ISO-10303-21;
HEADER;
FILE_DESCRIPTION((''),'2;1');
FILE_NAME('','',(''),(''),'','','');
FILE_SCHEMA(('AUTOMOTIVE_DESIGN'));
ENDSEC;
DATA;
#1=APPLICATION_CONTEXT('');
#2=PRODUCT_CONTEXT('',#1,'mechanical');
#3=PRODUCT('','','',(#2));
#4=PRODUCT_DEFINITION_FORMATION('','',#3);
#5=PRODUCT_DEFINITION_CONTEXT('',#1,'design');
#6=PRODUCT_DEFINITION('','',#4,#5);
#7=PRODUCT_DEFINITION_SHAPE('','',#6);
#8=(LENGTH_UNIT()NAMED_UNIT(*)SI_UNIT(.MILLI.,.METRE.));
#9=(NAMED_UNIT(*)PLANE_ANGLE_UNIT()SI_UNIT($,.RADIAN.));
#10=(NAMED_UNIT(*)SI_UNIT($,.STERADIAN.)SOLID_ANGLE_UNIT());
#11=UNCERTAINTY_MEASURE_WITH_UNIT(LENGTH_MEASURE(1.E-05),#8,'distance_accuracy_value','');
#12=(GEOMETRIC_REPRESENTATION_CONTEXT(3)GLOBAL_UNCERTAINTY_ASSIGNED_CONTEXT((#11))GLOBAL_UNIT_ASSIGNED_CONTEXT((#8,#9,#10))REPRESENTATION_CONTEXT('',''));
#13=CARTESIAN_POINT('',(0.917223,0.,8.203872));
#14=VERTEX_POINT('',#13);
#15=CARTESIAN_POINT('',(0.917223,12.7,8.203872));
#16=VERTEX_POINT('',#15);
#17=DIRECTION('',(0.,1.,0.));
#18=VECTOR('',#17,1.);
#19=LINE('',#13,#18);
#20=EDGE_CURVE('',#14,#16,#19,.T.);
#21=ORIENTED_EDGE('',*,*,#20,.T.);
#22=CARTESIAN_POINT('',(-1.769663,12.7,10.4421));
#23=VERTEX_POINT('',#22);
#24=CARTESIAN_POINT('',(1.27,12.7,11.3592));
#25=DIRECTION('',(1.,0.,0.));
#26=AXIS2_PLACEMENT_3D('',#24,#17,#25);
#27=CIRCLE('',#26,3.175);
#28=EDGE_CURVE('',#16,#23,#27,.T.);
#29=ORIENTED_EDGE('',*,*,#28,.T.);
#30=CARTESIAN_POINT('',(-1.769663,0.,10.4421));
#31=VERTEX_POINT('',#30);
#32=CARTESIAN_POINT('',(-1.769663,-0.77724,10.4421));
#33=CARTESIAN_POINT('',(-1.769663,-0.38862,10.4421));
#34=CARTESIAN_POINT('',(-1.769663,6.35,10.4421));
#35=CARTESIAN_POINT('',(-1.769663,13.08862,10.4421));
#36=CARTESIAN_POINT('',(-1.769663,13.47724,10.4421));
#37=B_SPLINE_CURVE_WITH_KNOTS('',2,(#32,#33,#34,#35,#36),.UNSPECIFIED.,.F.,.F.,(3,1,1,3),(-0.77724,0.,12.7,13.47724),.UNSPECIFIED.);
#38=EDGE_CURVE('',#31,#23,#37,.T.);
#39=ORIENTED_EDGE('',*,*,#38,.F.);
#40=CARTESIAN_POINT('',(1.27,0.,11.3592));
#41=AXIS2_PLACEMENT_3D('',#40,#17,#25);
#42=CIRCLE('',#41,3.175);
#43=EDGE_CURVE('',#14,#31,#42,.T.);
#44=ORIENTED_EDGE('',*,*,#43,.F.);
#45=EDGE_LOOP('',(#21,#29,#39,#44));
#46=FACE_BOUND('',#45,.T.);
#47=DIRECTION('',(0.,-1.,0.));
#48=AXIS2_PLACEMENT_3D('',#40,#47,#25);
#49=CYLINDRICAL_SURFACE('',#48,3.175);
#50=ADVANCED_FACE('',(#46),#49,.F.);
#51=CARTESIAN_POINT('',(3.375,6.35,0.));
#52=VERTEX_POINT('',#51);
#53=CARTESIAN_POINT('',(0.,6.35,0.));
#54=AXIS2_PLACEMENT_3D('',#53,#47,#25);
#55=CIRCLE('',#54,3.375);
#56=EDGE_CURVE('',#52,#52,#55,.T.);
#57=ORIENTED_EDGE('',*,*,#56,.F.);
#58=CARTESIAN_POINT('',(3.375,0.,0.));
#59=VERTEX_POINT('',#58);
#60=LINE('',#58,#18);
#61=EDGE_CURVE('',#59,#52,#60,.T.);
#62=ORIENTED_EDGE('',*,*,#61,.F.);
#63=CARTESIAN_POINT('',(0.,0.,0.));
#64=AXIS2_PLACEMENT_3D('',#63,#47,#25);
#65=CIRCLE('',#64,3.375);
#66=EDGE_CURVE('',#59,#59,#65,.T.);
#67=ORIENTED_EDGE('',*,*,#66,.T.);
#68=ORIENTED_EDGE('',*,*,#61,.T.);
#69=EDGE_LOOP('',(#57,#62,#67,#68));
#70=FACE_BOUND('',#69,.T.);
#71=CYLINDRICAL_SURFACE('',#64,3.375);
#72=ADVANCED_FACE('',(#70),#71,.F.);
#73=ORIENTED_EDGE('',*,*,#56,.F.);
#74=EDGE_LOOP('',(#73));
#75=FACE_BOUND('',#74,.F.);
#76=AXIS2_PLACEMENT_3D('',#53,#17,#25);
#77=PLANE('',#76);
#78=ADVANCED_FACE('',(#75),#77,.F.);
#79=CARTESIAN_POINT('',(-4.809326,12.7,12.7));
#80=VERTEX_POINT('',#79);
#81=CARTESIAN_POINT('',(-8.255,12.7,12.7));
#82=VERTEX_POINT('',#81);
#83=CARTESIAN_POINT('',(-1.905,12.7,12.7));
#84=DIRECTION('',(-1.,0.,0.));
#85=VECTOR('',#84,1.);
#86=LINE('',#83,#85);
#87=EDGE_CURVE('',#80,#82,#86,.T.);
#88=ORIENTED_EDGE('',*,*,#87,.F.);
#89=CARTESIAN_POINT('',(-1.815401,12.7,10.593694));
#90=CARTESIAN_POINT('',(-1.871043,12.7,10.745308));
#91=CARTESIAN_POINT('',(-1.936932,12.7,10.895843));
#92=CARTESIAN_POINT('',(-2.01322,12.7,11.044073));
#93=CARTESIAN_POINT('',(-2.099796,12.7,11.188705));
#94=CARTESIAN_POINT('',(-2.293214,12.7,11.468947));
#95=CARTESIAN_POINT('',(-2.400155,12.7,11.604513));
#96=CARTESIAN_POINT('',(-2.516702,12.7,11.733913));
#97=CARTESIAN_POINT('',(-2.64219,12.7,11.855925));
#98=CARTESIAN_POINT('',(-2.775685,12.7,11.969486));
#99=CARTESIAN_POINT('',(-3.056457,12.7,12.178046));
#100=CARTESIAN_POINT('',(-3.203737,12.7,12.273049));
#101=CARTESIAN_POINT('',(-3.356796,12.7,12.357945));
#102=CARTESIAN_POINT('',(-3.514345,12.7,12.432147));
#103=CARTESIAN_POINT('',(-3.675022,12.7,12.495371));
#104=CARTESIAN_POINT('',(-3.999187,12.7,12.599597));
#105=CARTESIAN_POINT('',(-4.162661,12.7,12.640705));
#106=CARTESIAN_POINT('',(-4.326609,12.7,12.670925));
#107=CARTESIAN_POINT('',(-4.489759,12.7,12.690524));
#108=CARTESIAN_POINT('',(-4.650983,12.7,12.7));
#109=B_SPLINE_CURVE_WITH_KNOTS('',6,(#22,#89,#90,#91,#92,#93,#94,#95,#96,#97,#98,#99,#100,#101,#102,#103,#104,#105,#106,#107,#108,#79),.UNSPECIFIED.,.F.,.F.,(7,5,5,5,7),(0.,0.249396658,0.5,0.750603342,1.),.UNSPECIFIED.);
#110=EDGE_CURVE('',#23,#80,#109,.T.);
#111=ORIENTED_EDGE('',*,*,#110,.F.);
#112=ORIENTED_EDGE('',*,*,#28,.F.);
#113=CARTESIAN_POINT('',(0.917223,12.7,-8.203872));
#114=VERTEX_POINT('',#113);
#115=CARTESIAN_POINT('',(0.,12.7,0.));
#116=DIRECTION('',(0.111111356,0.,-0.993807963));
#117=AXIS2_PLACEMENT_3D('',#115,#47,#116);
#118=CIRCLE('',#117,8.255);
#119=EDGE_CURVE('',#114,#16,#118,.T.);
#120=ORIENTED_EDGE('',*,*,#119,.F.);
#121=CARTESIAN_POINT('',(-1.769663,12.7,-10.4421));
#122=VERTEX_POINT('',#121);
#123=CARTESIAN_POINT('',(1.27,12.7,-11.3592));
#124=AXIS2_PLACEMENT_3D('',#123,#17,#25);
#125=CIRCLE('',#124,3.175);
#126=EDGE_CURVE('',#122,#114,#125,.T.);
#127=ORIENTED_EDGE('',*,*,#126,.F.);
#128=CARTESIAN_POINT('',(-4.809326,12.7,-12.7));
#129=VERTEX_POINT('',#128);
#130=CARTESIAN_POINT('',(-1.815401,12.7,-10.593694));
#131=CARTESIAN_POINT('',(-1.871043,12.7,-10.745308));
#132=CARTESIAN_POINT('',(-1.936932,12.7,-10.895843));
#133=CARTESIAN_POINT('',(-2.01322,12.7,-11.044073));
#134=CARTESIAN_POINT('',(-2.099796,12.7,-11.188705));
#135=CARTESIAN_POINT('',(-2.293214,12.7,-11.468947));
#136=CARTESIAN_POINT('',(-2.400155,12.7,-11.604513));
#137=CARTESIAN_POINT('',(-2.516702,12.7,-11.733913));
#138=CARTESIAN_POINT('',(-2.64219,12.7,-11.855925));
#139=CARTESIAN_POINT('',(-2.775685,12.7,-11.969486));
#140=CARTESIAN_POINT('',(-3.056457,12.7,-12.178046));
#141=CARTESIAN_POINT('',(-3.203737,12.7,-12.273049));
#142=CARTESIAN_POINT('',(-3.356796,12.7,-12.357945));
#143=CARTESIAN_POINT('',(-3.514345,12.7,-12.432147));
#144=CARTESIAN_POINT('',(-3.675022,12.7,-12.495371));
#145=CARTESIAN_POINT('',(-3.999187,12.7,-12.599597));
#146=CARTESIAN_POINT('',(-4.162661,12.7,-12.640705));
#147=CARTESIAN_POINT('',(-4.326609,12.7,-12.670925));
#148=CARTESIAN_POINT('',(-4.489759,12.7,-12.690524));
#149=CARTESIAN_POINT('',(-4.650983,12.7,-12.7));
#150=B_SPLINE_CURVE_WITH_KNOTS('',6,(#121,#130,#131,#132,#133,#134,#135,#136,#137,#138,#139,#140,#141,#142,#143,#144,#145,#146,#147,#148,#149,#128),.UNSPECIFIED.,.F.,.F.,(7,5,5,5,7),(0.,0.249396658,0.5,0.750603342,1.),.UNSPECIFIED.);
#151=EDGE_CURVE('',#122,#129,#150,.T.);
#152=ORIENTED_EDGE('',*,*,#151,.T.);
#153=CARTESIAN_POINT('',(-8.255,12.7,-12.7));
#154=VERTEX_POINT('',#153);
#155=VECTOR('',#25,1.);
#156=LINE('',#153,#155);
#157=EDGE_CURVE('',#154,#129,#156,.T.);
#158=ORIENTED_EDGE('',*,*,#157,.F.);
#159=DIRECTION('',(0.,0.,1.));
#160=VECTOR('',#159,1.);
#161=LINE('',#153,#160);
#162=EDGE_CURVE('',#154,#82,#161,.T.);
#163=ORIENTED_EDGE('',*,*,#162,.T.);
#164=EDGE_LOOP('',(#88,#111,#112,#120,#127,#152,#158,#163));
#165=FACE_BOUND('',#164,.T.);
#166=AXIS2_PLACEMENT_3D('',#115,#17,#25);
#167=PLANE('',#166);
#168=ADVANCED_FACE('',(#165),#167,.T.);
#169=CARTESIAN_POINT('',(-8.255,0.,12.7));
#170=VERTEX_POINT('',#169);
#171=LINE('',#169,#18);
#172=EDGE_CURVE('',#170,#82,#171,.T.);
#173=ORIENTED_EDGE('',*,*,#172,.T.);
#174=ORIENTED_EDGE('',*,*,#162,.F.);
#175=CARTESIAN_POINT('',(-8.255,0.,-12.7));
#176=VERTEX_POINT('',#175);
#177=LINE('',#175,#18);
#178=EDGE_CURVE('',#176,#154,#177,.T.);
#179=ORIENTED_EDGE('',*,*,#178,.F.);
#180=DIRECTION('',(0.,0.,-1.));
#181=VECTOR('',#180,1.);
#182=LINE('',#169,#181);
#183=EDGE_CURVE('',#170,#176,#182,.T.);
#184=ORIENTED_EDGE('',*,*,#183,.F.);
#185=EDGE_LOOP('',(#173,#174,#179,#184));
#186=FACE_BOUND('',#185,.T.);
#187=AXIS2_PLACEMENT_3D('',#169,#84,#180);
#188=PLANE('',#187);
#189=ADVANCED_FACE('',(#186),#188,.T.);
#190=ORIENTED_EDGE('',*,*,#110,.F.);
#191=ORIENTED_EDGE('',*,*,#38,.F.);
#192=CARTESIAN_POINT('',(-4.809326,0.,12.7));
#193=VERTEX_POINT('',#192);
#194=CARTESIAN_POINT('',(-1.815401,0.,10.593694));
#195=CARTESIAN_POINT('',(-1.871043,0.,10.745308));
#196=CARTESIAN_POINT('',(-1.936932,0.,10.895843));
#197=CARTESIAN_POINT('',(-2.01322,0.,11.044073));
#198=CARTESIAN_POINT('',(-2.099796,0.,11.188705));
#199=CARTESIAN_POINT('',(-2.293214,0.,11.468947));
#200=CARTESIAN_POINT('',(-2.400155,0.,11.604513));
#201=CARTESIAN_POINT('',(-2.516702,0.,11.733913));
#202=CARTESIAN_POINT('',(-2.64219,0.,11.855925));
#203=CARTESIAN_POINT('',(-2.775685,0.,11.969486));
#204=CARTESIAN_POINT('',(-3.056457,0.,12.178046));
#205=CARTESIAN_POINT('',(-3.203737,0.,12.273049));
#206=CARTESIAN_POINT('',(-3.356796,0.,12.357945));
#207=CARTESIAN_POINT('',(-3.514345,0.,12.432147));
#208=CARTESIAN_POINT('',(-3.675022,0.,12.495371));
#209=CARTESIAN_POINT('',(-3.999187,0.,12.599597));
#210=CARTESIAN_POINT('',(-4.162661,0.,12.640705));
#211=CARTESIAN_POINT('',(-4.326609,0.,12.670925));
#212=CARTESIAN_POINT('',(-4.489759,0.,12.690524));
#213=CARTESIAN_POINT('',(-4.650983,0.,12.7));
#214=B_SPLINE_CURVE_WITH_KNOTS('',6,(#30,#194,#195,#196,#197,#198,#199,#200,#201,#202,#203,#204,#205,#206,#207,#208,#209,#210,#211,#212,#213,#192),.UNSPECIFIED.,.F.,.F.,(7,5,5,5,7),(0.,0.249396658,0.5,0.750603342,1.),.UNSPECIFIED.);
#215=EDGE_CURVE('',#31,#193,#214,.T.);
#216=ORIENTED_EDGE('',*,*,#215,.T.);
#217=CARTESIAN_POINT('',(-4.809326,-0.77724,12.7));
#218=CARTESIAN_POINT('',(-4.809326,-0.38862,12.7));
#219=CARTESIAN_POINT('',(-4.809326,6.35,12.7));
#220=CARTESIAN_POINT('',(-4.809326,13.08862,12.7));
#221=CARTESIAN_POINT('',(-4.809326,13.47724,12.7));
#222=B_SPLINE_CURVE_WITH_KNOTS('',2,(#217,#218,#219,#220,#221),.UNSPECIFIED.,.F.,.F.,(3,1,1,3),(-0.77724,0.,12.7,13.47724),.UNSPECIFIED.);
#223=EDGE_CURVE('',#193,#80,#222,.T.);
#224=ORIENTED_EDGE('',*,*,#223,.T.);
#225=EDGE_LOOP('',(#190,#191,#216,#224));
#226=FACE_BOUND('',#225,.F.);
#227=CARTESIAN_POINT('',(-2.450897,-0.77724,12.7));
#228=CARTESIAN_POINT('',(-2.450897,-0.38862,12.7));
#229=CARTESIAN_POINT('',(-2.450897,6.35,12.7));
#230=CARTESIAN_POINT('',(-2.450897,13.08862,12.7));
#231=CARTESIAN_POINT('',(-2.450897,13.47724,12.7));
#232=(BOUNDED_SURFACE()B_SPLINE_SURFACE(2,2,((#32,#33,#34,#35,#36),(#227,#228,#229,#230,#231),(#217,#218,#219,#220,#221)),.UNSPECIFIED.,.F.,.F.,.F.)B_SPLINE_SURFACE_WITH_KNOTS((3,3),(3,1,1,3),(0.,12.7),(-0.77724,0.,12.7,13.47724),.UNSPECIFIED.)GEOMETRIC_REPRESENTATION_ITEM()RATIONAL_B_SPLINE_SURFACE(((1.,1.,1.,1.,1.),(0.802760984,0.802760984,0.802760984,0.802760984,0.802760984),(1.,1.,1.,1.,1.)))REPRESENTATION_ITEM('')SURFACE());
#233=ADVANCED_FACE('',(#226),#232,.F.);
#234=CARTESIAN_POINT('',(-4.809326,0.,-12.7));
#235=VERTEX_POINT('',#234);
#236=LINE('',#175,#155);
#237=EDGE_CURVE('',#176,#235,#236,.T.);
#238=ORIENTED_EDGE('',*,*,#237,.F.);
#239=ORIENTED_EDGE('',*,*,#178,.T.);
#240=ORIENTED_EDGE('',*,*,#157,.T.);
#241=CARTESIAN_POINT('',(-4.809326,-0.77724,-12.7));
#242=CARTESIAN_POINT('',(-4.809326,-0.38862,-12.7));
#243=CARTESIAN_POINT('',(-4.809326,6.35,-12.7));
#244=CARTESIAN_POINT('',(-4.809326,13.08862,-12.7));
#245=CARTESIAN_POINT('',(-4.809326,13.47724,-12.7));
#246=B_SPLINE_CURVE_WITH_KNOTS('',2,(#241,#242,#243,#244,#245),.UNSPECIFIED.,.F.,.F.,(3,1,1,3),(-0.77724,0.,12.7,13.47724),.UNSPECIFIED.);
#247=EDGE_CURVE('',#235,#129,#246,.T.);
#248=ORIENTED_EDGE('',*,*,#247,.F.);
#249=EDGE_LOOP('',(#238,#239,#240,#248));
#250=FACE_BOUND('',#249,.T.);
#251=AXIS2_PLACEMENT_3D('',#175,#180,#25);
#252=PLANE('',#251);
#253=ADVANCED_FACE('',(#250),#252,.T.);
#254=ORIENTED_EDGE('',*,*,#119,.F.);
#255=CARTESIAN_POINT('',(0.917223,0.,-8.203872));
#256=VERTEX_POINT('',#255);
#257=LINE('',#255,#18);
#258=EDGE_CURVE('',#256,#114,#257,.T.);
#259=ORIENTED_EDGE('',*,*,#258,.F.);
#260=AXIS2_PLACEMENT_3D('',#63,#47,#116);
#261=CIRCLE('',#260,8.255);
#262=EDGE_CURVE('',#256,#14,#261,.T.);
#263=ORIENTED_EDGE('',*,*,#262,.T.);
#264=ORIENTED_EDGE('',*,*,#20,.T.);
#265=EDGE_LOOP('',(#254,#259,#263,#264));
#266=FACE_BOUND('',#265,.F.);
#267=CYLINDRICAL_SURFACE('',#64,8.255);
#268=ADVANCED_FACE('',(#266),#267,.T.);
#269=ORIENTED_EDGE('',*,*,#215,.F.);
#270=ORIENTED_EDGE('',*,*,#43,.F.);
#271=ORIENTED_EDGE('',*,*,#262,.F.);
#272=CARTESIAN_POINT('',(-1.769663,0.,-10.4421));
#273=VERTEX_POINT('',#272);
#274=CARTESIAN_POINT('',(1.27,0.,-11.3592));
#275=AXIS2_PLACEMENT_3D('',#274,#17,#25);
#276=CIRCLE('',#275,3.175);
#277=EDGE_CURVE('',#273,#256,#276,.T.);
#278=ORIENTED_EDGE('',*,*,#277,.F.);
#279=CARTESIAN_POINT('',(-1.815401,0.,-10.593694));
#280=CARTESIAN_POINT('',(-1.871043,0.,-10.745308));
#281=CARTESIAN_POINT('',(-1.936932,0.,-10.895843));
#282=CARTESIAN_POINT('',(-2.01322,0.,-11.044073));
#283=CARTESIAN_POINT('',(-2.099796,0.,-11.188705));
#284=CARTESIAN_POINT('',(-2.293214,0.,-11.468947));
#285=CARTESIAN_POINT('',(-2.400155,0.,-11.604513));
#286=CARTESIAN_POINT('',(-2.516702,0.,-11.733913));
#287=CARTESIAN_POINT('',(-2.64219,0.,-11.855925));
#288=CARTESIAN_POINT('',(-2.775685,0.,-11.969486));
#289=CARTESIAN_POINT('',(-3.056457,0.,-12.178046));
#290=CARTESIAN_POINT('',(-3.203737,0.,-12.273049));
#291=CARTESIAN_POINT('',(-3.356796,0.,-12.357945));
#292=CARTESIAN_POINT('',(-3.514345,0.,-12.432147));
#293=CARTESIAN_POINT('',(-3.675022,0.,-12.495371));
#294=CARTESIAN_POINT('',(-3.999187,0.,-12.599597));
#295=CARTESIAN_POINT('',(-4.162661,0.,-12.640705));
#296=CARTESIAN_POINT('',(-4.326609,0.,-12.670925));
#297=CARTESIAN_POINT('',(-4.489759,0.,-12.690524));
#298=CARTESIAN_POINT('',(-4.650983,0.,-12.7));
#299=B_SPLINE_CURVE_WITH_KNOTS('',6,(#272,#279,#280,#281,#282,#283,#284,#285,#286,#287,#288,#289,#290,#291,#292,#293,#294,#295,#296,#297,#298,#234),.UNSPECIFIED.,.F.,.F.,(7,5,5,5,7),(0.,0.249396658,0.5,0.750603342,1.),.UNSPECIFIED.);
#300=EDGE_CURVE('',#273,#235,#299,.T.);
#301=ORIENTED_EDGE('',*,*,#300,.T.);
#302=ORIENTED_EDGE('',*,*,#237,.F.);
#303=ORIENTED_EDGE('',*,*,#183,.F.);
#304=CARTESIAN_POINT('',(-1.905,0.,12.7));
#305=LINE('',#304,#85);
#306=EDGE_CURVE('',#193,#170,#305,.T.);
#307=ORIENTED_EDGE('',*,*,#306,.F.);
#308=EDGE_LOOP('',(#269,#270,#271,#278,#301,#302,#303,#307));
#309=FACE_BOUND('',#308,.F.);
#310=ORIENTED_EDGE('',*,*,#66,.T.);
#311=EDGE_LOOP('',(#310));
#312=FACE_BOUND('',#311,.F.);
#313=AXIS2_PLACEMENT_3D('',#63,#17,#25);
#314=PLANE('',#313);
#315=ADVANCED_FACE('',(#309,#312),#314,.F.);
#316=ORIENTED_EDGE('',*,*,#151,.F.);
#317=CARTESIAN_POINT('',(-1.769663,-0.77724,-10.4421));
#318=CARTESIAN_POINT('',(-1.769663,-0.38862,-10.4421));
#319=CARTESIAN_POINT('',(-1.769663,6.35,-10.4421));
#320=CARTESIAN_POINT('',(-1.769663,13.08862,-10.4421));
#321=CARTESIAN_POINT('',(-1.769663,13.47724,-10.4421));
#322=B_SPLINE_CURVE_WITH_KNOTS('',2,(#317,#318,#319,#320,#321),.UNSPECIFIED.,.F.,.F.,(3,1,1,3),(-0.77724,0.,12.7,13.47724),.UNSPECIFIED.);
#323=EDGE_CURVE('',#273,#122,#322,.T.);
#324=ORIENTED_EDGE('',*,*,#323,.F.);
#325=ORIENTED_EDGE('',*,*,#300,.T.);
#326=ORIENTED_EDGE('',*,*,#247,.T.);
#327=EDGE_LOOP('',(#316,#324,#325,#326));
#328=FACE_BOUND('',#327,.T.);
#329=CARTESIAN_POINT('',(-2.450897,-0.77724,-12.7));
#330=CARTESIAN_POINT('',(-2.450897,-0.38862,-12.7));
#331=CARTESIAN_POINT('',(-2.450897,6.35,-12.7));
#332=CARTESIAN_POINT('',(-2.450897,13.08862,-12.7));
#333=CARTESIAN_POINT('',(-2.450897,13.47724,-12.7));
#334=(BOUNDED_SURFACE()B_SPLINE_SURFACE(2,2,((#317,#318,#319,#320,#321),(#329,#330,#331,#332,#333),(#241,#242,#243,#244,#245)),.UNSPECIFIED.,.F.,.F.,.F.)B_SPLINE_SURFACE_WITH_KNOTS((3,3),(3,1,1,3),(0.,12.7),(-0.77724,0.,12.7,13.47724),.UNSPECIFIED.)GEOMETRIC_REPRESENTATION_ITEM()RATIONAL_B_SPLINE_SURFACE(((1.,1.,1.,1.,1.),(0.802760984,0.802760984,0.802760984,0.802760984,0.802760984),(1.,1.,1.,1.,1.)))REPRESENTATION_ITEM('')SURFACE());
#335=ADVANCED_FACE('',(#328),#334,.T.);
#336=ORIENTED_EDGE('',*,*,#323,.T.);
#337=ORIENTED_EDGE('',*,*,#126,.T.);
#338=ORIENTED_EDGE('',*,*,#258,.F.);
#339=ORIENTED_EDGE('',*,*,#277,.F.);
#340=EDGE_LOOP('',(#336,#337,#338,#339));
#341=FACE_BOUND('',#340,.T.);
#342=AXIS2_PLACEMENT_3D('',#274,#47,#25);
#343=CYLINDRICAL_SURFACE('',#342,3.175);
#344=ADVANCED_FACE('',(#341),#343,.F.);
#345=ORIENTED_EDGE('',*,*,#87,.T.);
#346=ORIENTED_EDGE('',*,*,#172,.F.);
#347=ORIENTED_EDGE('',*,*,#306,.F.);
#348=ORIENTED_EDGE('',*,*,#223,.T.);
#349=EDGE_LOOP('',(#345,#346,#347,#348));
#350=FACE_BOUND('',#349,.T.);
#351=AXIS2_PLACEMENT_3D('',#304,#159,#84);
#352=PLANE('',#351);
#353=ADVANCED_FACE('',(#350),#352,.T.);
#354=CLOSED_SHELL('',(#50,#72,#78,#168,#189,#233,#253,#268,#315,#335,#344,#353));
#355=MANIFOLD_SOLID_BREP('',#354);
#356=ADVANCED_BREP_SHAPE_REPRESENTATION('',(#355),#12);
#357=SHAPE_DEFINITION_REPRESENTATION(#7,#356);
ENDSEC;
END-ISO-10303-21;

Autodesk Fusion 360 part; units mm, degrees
sketch "Sketch1" plane through (0, 0, 0) normal (0, 1, 0) x (1, 0, 0)
  circle A0 centre (0, 0) radius 3.175
  circle A1 centre (0, 0) radius 8.255
  line L0 (-1.905, -12.7) -> (-8.255, -12.7)
  line L1 (-8.255, -12.7) -> (-8.255, 12.7)
  line L2 (-8.255, 12.7) -> (-1.905, 12.7)
  line L3 (-1.905, 12.7) -> (-1.905, -12.7)
  circle A2 centre (1.27, -11.3592) radius 3.175
  circle A3 centre (1.27, 11.3592) radius 3.175
  circle A4 centre (0, 0) radius 3.375
  point P0 (-8.255, 0)
  dimension "d1" = 6.35
  dimension "d2" = 5.08
  dimension "d3" = 6.35
  dimension "d4" = 25.4
  dimension "d5" = 6.35
  dimension "d10" = 0.2
extrude "Extrude1" add sketch "Sketch1" along normal blind 12.7 contours A0 L3 | A0 L3 A4 | A0 L3 | A0 L3 A4 | A1 L3 A4 | A1 L3 A4 | A1 L3 A3 | A1 L1 L2 L3 | A1 L0 L1 L3 | A1 L3 A2
extrude "Extrude2" cut sketch "Sketch1" along normal blind 6.35 contours A0 L3 | A0 L3 A4 | A0 L3 | A0 L3 A4
fillet "Fillet5" radius 3.175 2 edges at (-1.905, 6.35, -12.7) (-1.905, 6.35, 12.7)
